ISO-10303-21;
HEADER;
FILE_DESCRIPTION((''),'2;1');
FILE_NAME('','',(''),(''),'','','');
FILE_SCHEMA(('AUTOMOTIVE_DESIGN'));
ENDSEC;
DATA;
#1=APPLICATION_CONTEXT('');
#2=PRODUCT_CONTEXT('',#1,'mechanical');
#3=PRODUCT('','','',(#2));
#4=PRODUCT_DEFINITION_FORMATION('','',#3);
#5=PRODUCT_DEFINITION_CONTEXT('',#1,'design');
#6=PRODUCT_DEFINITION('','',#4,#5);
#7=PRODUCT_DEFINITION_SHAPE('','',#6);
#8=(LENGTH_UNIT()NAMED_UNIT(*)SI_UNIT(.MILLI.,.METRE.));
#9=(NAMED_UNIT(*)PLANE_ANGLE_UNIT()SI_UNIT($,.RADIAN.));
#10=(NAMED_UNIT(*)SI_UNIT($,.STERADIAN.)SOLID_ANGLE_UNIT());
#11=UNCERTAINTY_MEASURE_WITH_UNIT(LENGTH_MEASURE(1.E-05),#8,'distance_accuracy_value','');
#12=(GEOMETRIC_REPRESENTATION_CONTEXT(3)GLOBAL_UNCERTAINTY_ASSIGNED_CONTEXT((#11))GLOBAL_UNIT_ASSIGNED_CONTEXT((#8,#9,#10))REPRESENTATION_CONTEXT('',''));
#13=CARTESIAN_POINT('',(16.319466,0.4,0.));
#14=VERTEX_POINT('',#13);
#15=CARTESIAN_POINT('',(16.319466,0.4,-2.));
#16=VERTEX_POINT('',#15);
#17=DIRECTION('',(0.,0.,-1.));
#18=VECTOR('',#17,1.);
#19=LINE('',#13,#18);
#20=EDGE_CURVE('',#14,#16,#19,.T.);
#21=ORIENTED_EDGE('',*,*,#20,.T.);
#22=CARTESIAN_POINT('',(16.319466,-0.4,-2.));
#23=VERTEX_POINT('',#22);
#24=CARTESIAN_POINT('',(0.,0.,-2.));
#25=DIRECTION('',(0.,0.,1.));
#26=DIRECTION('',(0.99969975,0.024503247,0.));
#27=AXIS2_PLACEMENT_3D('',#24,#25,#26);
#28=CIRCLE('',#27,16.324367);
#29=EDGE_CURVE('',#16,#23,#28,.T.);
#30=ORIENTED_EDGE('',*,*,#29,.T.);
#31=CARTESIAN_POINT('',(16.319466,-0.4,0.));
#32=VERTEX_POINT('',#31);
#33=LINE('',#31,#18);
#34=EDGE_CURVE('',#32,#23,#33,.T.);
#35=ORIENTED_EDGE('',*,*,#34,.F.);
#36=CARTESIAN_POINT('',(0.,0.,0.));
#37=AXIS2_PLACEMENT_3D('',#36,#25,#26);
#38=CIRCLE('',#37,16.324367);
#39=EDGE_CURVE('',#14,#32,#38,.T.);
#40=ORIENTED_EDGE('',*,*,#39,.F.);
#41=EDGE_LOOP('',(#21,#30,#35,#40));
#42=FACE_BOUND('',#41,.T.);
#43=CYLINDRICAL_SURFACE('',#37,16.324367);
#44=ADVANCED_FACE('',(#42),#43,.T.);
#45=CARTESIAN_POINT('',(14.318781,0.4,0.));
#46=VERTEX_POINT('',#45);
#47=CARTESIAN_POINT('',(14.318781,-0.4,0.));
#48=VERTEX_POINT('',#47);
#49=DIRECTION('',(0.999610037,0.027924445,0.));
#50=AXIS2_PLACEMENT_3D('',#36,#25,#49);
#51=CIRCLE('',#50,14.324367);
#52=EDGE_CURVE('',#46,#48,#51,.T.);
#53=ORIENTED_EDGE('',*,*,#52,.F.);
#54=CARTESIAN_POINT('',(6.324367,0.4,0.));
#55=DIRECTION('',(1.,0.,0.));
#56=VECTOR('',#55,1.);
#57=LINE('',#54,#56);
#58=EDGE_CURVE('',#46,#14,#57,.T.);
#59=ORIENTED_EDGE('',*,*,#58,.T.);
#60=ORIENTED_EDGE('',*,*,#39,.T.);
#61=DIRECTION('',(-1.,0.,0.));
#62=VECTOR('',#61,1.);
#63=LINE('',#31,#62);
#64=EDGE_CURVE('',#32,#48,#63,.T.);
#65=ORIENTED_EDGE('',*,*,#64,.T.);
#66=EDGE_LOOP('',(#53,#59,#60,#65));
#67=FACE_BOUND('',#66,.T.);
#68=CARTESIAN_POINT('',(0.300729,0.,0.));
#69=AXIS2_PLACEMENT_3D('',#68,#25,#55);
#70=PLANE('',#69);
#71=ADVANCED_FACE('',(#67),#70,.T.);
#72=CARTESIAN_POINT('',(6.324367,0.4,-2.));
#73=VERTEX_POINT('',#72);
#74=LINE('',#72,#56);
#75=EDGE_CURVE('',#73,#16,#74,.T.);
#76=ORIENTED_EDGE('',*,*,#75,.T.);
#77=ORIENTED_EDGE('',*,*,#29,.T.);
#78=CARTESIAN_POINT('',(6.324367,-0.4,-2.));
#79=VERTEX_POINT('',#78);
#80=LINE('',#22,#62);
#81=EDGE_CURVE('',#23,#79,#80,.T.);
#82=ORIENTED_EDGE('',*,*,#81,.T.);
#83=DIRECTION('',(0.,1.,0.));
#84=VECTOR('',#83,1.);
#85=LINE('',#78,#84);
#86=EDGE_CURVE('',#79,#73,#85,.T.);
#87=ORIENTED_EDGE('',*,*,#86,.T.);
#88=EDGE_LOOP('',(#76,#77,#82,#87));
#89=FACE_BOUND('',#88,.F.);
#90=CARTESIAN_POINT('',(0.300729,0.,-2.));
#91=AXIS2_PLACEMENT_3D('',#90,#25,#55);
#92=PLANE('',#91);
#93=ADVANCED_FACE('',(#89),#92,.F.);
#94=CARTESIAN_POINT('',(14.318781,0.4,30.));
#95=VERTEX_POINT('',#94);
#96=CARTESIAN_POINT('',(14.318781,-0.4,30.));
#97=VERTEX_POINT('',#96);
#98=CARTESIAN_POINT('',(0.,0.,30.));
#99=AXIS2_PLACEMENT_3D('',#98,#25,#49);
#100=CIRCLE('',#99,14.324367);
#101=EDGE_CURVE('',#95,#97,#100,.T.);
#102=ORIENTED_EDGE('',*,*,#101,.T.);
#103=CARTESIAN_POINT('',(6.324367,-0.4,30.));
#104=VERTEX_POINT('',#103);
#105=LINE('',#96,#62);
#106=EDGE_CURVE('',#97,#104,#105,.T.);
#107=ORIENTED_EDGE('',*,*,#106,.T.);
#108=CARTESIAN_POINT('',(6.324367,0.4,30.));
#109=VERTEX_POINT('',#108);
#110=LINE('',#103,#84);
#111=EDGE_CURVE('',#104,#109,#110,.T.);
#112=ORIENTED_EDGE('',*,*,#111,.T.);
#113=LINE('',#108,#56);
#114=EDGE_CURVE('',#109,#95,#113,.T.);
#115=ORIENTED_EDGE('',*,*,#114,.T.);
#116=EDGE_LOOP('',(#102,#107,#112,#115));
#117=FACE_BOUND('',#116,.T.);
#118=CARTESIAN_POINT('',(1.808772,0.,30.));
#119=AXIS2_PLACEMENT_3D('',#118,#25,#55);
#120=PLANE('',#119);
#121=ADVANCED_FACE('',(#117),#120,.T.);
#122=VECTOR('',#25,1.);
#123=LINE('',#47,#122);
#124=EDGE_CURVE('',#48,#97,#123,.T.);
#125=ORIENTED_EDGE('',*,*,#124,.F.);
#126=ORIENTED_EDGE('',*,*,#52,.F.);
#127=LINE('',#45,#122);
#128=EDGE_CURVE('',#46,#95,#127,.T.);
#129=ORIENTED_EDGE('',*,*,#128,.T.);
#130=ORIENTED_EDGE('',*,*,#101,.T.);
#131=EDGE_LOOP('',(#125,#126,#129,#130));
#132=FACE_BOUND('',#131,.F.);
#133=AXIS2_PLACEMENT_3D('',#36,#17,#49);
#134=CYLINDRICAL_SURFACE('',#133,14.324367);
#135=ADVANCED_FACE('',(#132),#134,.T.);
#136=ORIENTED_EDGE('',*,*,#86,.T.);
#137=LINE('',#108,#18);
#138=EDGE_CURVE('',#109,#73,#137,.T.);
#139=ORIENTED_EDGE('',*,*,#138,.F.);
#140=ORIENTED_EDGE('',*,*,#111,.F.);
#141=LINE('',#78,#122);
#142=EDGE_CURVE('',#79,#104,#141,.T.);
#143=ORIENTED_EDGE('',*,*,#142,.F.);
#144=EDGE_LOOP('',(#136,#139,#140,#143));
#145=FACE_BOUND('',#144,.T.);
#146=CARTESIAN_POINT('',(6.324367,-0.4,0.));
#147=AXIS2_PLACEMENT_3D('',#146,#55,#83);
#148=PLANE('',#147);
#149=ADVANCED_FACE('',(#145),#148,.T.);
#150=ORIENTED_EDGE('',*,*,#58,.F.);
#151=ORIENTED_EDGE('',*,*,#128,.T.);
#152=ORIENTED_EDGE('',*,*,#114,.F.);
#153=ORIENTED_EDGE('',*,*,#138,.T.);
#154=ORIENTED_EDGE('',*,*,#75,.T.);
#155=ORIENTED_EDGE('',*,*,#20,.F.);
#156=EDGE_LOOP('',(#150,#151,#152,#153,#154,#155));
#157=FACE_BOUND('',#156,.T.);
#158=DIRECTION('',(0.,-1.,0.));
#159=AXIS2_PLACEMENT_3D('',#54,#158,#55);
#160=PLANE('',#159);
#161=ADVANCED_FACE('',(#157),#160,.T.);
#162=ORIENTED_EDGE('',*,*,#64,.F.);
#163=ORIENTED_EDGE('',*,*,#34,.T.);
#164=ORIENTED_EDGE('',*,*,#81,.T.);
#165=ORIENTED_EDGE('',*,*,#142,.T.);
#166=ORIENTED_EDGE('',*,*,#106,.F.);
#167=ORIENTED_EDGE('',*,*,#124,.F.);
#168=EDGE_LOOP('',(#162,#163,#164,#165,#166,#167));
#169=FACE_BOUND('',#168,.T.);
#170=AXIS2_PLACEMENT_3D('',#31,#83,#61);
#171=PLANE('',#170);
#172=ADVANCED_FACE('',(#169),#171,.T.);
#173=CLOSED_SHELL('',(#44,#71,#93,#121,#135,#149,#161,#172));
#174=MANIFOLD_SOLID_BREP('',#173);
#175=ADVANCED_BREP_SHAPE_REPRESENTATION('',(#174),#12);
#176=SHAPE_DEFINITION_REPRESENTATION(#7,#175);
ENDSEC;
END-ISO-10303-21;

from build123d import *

# Parameters (mm, degrees)
F1_DEPTH = 30
F2_DEPTH = 2


with BuildPart() as f1:
    # F0 (on Top) → F1 (new body)
    with BuildSketch(Plane.XY):
        with BuildLine():
            Line((6.324367, 0.4), (14.318781, 0.4))
            ThreePointArc((14.318781, 0.4), (-14.324367, 0), (14.318781, -0.4))
            Line((14.318781, -0.4), (6.324367, -0.4))
            Line((6.324367, -0.4), (6.324367, 0.4))
        make_face()
    extrude(amount=F1_DEPTH)

    # F0 (on Top) → F2 (join)
    with BuildSketch(Plane.XY):
        with BuildLine():
            ThreePointArc((14.318781, -0.4), (-14.324367, 0), (14.318781, 0.4))
            Line((14.318781, 0.4), (16.319466, 0.4))
            ThreePointArc((16.319466, 0.4), (-16.324367, 0), (16.319466, -0.4))
            Line((16.319466, -0.4), (14.318781, -0.4))
        make_face()
        with BuildLine():
            Line((6.324367, 0.4), (14.318781, 0.4))
            ThreePointArc((14.318781, 0.4), (-14.324367, 0), (14.318781, -0.4))
            Line((14.318781, -0.4), (6.324367, -0.4))
            Line((6.324367, -0.4), (6.324367, 0.4))
        make_face()
    extrude(amount=-F2_DEPTH)


solid = f1.part
